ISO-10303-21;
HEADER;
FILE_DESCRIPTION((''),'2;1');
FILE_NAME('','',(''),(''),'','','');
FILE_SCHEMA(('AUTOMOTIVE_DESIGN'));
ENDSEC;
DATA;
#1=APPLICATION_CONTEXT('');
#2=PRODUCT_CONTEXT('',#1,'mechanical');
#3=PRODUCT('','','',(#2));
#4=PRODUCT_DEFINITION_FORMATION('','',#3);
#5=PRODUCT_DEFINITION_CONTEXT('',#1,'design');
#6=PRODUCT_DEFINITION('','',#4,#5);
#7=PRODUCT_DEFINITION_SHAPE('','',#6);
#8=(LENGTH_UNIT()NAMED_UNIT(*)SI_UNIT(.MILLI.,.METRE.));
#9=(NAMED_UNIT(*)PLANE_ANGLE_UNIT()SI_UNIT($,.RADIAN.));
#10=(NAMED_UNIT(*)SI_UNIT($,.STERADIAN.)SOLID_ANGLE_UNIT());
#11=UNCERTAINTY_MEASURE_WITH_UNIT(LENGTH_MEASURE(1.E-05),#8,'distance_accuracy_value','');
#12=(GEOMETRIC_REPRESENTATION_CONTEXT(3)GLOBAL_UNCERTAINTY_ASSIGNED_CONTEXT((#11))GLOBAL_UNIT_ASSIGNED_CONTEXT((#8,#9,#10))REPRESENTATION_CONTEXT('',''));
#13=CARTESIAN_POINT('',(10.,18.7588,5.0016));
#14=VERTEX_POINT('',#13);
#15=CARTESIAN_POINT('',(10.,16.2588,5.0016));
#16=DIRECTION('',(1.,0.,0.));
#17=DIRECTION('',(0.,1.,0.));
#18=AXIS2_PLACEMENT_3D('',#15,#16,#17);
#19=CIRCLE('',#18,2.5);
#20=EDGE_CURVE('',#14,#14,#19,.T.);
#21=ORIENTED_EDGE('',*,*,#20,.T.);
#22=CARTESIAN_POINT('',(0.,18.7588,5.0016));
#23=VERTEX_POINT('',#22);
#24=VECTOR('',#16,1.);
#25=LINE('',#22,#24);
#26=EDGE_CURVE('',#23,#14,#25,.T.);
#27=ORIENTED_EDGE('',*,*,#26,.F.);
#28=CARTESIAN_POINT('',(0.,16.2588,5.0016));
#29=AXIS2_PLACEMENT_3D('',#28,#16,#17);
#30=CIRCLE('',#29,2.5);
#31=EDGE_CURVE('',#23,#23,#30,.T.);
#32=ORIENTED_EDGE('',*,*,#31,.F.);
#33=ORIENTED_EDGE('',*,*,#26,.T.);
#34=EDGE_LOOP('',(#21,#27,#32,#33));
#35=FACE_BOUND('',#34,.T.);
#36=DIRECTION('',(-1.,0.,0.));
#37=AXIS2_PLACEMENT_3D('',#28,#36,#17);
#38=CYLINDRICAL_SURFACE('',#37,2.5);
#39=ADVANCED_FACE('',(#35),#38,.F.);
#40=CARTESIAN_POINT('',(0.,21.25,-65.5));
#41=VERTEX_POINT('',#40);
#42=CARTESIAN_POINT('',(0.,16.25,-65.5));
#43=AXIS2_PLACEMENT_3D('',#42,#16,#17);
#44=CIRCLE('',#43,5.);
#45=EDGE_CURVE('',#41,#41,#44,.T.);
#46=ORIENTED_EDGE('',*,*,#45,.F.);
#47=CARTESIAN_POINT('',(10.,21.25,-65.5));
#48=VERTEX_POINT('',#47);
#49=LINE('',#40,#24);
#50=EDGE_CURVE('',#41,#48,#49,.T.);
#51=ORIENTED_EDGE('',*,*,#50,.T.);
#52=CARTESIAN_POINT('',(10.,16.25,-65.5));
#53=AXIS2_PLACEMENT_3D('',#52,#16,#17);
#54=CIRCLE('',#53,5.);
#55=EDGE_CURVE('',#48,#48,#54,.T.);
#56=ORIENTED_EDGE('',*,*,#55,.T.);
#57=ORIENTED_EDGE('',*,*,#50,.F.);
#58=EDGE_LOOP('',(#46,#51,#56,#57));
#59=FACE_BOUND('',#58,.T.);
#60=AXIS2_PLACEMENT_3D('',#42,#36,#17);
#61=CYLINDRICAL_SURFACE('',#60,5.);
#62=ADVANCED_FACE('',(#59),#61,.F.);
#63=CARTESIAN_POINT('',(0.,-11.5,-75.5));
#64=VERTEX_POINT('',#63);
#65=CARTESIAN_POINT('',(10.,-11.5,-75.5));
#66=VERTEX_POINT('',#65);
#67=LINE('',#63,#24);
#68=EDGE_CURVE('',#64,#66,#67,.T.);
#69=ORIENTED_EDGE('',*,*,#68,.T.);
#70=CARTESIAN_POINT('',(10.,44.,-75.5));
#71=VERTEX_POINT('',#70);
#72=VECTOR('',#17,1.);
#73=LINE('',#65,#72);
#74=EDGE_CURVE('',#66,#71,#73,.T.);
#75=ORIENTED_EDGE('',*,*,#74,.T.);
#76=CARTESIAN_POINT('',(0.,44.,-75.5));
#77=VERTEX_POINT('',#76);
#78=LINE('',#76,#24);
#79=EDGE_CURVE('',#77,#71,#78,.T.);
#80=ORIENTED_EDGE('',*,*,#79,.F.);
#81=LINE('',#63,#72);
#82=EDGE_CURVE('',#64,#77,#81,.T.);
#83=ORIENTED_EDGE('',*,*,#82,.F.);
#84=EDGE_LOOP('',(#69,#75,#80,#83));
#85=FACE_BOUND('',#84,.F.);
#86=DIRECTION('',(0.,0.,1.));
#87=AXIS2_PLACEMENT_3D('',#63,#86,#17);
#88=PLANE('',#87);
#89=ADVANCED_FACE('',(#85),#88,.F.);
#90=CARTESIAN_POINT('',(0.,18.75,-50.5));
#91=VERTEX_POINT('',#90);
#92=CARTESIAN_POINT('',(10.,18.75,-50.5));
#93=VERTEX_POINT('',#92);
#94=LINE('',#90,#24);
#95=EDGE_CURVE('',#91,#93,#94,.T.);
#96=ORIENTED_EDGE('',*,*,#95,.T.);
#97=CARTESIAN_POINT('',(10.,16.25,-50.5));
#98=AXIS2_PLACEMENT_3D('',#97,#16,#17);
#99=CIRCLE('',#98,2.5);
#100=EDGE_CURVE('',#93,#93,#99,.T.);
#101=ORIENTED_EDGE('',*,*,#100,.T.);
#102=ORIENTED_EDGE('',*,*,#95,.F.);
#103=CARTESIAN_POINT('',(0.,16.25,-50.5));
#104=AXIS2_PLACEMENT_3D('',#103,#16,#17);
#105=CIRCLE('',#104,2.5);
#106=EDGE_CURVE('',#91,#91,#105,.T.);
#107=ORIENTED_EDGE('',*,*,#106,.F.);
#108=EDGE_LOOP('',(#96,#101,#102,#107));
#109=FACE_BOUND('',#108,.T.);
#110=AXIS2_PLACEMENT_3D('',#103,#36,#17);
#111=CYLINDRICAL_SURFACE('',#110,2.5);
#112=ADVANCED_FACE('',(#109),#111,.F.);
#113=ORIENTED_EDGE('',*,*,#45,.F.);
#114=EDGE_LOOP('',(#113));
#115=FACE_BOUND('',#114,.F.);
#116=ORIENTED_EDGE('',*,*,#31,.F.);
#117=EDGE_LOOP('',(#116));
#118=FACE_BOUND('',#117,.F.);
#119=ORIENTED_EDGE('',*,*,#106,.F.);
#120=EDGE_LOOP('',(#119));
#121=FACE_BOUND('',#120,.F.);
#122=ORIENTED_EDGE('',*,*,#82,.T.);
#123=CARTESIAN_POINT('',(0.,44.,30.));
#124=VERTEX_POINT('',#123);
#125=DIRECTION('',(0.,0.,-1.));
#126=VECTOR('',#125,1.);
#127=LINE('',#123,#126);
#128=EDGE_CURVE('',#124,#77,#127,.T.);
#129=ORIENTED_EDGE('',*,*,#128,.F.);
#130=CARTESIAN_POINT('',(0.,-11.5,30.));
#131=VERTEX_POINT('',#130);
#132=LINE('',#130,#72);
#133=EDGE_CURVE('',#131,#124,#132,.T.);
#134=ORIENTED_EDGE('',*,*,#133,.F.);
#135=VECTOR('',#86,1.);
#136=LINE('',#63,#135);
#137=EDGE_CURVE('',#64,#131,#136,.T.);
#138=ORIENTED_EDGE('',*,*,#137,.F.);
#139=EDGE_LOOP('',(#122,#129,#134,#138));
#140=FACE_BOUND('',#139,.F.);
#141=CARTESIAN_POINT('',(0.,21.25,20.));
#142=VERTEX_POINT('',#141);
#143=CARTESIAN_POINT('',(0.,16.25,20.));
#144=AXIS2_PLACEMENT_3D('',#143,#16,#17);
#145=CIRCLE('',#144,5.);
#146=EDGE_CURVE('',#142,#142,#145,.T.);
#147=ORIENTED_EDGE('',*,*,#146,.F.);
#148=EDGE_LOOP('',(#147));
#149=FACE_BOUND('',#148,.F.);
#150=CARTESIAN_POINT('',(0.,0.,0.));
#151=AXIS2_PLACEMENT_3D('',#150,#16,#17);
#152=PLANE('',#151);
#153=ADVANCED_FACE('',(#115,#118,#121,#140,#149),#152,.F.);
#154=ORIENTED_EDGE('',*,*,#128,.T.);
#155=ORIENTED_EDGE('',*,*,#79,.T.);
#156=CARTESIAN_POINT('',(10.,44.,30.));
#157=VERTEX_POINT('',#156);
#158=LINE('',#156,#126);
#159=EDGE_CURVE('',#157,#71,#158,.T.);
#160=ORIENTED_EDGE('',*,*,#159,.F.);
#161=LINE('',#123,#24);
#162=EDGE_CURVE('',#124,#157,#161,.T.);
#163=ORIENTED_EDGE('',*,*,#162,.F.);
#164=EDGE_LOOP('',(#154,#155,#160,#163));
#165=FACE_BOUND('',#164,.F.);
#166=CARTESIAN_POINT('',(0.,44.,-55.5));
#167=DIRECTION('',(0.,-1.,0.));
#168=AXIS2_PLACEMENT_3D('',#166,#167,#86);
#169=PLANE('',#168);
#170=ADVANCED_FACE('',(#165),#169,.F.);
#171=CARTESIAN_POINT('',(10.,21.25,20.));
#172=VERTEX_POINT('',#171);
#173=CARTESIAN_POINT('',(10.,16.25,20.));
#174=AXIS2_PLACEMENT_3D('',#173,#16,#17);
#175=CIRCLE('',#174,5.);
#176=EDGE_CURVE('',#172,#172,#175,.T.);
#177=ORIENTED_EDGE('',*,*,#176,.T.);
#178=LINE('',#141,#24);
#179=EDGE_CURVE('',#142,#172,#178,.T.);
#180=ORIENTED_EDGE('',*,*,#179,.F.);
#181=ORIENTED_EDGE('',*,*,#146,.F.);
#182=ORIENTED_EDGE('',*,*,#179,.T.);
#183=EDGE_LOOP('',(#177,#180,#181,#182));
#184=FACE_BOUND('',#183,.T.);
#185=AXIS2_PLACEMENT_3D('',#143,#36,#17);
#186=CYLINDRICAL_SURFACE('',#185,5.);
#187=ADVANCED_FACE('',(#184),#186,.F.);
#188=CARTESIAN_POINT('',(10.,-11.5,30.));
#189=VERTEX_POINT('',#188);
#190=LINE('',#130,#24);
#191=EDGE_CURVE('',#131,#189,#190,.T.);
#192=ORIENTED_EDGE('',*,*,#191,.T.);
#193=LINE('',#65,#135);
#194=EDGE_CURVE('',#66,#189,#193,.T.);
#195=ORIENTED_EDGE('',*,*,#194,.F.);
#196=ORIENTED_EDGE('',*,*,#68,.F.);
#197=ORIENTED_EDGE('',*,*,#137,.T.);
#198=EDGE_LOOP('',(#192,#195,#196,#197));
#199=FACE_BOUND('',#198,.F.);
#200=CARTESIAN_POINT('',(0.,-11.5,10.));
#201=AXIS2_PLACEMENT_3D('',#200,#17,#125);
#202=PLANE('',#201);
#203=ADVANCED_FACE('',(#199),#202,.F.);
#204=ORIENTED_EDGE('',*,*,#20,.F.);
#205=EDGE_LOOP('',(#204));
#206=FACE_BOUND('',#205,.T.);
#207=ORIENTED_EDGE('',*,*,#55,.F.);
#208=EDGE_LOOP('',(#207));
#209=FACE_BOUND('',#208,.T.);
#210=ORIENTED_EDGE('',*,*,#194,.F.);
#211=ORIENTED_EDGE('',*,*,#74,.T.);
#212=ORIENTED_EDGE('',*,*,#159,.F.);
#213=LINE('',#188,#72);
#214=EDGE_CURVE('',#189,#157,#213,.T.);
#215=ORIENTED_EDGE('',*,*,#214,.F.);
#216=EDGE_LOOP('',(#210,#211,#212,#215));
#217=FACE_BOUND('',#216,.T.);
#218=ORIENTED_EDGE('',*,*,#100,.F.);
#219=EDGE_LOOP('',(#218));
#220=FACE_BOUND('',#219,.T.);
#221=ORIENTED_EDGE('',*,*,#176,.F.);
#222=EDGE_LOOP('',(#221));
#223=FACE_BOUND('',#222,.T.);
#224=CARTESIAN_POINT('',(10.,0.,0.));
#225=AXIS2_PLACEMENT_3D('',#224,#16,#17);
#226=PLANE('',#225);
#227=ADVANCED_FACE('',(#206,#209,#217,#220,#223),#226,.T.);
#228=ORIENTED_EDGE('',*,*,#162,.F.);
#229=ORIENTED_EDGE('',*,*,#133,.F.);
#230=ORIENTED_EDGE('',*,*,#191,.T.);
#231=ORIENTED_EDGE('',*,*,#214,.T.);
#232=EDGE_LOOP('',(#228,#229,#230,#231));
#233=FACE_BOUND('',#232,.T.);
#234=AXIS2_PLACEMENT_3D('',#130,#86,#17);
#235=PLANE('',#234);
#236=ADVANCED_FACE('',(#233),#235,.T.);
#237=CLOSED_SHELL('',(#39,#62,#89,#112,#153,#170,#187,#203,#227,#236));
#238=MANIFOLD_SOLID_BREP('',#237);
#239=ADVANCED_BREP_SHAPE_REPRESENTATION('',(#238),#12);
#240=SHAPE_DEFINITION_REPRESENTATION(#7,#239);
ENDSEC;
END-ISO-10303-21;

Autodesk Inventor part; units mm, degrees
ref_plane "YZ Plane" through (0, 0, 0) normal (1, 0, 0) x (0, 1, 0)
ref_plane "XZ Plane" through (0, 0, 0) normal (0, 1, 0) x (-1, 0, 0)
ref_plane "XY Plane" through (0, 0, 0) normal (0, 0, 1) x (1, 0, 0)
sketch "Sketch1" plane through (0, 0, 0) normal (1, 0, 0) x (0, 1, 0)
  line L0 (-6, -12.5) -> (-6, -12.9)
  arc A0 (-6, -12.9) -> (-5.6, -13.3) centre (-5.6, -12.9) ccw
  line L1 (-5.6, -13.3) -> (-4.9, -13.3)
  arc A1 (-4.9, -13.3) -> (-4.7, -13.1) centre (-4.9, -13.1) ccw
  line L2 (-4.7, -13.1) -> (-4.7, -12.85)
  arc A2 (-4.5, -12.65) -> (-4.7, -12.85) centre (-4.5, -12.85) ccw
  line L3 (-4.5, -12.65) -> (-1.8, -12.65)
  arc A3 (-1.4, -13.05) -> (-1.8, -12.65) centre (-1.8, -13.05) ccw
  line L4 (-1.4, -13.05) -> (-1.4, -18.75)
  line L5 (-1.8, -19.15) -> (-4.5, -19.15)
  arc A4 (-1.8, -19.15) -> (-1.4, -18.75) centre (-1.8, -18.75) ccw
  arc A5 (-4.7, -18.95) -> (-4.5, -19.15) centre (-4.5, -18.95) ccw
  line L6 (-4.7, -18.95) -> (-4.7, -18.7)
  arc A6 (-4.7, -18.7) -> (-4.9, -18.5) centre (-4.9, -18.7) ccw
  line L7 (-4.9, -18.5) -> (-5.6, -18.5)
  arc A7 (-5.6, -18.5) -> (-6, -18.9) centre (-5.6, -18.9) ccw
  line L8 (-6, -18.9) -> (-6, -19.5)
  line L9 (-6.5, -6.5) -> (-6.5, -12.5)
  line L10 (-6.5, -12.5) -> (-2.5, -12.5)
  line L11 (-1.05, -19.5) -> (-6.5, -19.5)
  line L12 (-6.5, -19.5) -> (-6.5, -26)
  line L13 (-6.5, -26) -> (-1.05, -26)
  line L14 (-6, -26) -> (-6, -26.6)
  arc A8 (-6, -26.6) -> (-5.6, -27) centre (-5.6, -26.6) ccw
  line L15 (-5.6, -27) -> (-4.9, -27)
  arc A9 (-4.9, -27) -> (-4.7, -26.8) centre (-4.9, -26.8) ccw
  arc A10 (-4.5, -26.35) -> (-4.7, -26.55) centre (-4.5, -26.55) ccw
  line L16 (-4.7, -26.8) -> (-4.7, -26.55)
  line L17 (-4.5, -26.35) -> (-1.8, -26.35)
  arc A11 (-1.4, -26.75) -> (-1.8, -26.35) centre (-1.8, -26.75) ccw
  line L18 (-1.4, -26.75) -> (-1.4, -32.45)
  arc A12 (-1.8, -32.85) -> (-1.4, -32.45) centre (-1.8, -32.45) ccw
  line L19 (-1.8, -32.85) -> (-4.5, -32.85)
  arc A13 (-4.7, -32.65) -> (-4.5, -32.85) centre (-4.5, -32.65) ccw
  line L20 (-4.7, -32.65) -> (-4.7, -32.4)
  arc A14 (-4.7, -32.4) -> (-4.9, -32.2) centre (-4.9, -32.4) ccw
  line L21 (-4.9, -32.2) -> (-5.6, -32.2)
  arc A15 (-5.6, -32.2) -> (-6, -32.6) centre (-5.6, -32.6) ccw
  line L22 (-6, -32.6) -> (-6, -33)
  line L23 (-2.5, -33) -> (-6.5, -33)
  line L24 (-6.5, -33) -> (-6.5, -39)
  line L25 (32.5, 0) -> (0, 0)
  circle A16 centre (0, -6.5) radius 4.75
  circle A17 centre (32.5, -6.5) radius 4.75
  circle A18 centre (0, -39) radius 4.75
  circle A19 centre (32.5, -39) radius 4.75
  line L26 (39, -26) -> (39, -19.5)
  line L27 (39, -12.5) -> (39, -6.5)
  line L28 (39, -39) -> (39, -33)
  line L29 (26.5, -45.5) -> (32.5, -45.5)
  line L30 (0, -45.5) -> (6, -45.5)
  line L31 (13, -45.5) -> (19.5, -45.5)
  circle A20 centre (16.2588, 5.0016) radius 2.5
  circle A21 centre (16.25, -50.5) radius 2.5
  line L32 (44, 10) -> (-11.5, 10)
  line L33 (-11.5, 10) -> (-11.5, -55.5)
  line L34 (-11.5, -55.5) -> (44, -55.5)
  line L35 (44, -55.5) -> (44, 10)
  line L36 (44, 10) -> (-11.5, 10)
  line L37 (-11.5, 10) -> (-11.5, 30)
  line L38 (-11.5, 30) -> (44, 30)
  line L39 (44, 30) -> (44, 10)
  line L40 (44, -55.5) -> (-11.5, -55.5)
  line L41 (-11.5, -55.5) -> (-11.5, -75.5)
  line L42 (-11.5, -75.5) -> (44, -75.5)
  line L43 (44, -75.5) -> (44, -55.5)
  circle A22 centre (16.25, 20) radius 5
  circle A23 centre (16.25, -65.5) radius 5
  point P0 (24.75, -17.8425)
  point P1 (-11.5, 10)
  dimension "d0" = 20
  dimension "d1" = 20
  dimension "d2" = 10
  dimension "d3" = 10
extrude "Extrusion1" add sketch "Sketch1" along normal blind 10 contours A16 | A17 | A18 | A19 | L35 L34 L33 L32 | L32 L37 L38 L39 | L43 L42 L41 L34
properties part number "PlacaBaseHidráulicos_CPY_CPY"
